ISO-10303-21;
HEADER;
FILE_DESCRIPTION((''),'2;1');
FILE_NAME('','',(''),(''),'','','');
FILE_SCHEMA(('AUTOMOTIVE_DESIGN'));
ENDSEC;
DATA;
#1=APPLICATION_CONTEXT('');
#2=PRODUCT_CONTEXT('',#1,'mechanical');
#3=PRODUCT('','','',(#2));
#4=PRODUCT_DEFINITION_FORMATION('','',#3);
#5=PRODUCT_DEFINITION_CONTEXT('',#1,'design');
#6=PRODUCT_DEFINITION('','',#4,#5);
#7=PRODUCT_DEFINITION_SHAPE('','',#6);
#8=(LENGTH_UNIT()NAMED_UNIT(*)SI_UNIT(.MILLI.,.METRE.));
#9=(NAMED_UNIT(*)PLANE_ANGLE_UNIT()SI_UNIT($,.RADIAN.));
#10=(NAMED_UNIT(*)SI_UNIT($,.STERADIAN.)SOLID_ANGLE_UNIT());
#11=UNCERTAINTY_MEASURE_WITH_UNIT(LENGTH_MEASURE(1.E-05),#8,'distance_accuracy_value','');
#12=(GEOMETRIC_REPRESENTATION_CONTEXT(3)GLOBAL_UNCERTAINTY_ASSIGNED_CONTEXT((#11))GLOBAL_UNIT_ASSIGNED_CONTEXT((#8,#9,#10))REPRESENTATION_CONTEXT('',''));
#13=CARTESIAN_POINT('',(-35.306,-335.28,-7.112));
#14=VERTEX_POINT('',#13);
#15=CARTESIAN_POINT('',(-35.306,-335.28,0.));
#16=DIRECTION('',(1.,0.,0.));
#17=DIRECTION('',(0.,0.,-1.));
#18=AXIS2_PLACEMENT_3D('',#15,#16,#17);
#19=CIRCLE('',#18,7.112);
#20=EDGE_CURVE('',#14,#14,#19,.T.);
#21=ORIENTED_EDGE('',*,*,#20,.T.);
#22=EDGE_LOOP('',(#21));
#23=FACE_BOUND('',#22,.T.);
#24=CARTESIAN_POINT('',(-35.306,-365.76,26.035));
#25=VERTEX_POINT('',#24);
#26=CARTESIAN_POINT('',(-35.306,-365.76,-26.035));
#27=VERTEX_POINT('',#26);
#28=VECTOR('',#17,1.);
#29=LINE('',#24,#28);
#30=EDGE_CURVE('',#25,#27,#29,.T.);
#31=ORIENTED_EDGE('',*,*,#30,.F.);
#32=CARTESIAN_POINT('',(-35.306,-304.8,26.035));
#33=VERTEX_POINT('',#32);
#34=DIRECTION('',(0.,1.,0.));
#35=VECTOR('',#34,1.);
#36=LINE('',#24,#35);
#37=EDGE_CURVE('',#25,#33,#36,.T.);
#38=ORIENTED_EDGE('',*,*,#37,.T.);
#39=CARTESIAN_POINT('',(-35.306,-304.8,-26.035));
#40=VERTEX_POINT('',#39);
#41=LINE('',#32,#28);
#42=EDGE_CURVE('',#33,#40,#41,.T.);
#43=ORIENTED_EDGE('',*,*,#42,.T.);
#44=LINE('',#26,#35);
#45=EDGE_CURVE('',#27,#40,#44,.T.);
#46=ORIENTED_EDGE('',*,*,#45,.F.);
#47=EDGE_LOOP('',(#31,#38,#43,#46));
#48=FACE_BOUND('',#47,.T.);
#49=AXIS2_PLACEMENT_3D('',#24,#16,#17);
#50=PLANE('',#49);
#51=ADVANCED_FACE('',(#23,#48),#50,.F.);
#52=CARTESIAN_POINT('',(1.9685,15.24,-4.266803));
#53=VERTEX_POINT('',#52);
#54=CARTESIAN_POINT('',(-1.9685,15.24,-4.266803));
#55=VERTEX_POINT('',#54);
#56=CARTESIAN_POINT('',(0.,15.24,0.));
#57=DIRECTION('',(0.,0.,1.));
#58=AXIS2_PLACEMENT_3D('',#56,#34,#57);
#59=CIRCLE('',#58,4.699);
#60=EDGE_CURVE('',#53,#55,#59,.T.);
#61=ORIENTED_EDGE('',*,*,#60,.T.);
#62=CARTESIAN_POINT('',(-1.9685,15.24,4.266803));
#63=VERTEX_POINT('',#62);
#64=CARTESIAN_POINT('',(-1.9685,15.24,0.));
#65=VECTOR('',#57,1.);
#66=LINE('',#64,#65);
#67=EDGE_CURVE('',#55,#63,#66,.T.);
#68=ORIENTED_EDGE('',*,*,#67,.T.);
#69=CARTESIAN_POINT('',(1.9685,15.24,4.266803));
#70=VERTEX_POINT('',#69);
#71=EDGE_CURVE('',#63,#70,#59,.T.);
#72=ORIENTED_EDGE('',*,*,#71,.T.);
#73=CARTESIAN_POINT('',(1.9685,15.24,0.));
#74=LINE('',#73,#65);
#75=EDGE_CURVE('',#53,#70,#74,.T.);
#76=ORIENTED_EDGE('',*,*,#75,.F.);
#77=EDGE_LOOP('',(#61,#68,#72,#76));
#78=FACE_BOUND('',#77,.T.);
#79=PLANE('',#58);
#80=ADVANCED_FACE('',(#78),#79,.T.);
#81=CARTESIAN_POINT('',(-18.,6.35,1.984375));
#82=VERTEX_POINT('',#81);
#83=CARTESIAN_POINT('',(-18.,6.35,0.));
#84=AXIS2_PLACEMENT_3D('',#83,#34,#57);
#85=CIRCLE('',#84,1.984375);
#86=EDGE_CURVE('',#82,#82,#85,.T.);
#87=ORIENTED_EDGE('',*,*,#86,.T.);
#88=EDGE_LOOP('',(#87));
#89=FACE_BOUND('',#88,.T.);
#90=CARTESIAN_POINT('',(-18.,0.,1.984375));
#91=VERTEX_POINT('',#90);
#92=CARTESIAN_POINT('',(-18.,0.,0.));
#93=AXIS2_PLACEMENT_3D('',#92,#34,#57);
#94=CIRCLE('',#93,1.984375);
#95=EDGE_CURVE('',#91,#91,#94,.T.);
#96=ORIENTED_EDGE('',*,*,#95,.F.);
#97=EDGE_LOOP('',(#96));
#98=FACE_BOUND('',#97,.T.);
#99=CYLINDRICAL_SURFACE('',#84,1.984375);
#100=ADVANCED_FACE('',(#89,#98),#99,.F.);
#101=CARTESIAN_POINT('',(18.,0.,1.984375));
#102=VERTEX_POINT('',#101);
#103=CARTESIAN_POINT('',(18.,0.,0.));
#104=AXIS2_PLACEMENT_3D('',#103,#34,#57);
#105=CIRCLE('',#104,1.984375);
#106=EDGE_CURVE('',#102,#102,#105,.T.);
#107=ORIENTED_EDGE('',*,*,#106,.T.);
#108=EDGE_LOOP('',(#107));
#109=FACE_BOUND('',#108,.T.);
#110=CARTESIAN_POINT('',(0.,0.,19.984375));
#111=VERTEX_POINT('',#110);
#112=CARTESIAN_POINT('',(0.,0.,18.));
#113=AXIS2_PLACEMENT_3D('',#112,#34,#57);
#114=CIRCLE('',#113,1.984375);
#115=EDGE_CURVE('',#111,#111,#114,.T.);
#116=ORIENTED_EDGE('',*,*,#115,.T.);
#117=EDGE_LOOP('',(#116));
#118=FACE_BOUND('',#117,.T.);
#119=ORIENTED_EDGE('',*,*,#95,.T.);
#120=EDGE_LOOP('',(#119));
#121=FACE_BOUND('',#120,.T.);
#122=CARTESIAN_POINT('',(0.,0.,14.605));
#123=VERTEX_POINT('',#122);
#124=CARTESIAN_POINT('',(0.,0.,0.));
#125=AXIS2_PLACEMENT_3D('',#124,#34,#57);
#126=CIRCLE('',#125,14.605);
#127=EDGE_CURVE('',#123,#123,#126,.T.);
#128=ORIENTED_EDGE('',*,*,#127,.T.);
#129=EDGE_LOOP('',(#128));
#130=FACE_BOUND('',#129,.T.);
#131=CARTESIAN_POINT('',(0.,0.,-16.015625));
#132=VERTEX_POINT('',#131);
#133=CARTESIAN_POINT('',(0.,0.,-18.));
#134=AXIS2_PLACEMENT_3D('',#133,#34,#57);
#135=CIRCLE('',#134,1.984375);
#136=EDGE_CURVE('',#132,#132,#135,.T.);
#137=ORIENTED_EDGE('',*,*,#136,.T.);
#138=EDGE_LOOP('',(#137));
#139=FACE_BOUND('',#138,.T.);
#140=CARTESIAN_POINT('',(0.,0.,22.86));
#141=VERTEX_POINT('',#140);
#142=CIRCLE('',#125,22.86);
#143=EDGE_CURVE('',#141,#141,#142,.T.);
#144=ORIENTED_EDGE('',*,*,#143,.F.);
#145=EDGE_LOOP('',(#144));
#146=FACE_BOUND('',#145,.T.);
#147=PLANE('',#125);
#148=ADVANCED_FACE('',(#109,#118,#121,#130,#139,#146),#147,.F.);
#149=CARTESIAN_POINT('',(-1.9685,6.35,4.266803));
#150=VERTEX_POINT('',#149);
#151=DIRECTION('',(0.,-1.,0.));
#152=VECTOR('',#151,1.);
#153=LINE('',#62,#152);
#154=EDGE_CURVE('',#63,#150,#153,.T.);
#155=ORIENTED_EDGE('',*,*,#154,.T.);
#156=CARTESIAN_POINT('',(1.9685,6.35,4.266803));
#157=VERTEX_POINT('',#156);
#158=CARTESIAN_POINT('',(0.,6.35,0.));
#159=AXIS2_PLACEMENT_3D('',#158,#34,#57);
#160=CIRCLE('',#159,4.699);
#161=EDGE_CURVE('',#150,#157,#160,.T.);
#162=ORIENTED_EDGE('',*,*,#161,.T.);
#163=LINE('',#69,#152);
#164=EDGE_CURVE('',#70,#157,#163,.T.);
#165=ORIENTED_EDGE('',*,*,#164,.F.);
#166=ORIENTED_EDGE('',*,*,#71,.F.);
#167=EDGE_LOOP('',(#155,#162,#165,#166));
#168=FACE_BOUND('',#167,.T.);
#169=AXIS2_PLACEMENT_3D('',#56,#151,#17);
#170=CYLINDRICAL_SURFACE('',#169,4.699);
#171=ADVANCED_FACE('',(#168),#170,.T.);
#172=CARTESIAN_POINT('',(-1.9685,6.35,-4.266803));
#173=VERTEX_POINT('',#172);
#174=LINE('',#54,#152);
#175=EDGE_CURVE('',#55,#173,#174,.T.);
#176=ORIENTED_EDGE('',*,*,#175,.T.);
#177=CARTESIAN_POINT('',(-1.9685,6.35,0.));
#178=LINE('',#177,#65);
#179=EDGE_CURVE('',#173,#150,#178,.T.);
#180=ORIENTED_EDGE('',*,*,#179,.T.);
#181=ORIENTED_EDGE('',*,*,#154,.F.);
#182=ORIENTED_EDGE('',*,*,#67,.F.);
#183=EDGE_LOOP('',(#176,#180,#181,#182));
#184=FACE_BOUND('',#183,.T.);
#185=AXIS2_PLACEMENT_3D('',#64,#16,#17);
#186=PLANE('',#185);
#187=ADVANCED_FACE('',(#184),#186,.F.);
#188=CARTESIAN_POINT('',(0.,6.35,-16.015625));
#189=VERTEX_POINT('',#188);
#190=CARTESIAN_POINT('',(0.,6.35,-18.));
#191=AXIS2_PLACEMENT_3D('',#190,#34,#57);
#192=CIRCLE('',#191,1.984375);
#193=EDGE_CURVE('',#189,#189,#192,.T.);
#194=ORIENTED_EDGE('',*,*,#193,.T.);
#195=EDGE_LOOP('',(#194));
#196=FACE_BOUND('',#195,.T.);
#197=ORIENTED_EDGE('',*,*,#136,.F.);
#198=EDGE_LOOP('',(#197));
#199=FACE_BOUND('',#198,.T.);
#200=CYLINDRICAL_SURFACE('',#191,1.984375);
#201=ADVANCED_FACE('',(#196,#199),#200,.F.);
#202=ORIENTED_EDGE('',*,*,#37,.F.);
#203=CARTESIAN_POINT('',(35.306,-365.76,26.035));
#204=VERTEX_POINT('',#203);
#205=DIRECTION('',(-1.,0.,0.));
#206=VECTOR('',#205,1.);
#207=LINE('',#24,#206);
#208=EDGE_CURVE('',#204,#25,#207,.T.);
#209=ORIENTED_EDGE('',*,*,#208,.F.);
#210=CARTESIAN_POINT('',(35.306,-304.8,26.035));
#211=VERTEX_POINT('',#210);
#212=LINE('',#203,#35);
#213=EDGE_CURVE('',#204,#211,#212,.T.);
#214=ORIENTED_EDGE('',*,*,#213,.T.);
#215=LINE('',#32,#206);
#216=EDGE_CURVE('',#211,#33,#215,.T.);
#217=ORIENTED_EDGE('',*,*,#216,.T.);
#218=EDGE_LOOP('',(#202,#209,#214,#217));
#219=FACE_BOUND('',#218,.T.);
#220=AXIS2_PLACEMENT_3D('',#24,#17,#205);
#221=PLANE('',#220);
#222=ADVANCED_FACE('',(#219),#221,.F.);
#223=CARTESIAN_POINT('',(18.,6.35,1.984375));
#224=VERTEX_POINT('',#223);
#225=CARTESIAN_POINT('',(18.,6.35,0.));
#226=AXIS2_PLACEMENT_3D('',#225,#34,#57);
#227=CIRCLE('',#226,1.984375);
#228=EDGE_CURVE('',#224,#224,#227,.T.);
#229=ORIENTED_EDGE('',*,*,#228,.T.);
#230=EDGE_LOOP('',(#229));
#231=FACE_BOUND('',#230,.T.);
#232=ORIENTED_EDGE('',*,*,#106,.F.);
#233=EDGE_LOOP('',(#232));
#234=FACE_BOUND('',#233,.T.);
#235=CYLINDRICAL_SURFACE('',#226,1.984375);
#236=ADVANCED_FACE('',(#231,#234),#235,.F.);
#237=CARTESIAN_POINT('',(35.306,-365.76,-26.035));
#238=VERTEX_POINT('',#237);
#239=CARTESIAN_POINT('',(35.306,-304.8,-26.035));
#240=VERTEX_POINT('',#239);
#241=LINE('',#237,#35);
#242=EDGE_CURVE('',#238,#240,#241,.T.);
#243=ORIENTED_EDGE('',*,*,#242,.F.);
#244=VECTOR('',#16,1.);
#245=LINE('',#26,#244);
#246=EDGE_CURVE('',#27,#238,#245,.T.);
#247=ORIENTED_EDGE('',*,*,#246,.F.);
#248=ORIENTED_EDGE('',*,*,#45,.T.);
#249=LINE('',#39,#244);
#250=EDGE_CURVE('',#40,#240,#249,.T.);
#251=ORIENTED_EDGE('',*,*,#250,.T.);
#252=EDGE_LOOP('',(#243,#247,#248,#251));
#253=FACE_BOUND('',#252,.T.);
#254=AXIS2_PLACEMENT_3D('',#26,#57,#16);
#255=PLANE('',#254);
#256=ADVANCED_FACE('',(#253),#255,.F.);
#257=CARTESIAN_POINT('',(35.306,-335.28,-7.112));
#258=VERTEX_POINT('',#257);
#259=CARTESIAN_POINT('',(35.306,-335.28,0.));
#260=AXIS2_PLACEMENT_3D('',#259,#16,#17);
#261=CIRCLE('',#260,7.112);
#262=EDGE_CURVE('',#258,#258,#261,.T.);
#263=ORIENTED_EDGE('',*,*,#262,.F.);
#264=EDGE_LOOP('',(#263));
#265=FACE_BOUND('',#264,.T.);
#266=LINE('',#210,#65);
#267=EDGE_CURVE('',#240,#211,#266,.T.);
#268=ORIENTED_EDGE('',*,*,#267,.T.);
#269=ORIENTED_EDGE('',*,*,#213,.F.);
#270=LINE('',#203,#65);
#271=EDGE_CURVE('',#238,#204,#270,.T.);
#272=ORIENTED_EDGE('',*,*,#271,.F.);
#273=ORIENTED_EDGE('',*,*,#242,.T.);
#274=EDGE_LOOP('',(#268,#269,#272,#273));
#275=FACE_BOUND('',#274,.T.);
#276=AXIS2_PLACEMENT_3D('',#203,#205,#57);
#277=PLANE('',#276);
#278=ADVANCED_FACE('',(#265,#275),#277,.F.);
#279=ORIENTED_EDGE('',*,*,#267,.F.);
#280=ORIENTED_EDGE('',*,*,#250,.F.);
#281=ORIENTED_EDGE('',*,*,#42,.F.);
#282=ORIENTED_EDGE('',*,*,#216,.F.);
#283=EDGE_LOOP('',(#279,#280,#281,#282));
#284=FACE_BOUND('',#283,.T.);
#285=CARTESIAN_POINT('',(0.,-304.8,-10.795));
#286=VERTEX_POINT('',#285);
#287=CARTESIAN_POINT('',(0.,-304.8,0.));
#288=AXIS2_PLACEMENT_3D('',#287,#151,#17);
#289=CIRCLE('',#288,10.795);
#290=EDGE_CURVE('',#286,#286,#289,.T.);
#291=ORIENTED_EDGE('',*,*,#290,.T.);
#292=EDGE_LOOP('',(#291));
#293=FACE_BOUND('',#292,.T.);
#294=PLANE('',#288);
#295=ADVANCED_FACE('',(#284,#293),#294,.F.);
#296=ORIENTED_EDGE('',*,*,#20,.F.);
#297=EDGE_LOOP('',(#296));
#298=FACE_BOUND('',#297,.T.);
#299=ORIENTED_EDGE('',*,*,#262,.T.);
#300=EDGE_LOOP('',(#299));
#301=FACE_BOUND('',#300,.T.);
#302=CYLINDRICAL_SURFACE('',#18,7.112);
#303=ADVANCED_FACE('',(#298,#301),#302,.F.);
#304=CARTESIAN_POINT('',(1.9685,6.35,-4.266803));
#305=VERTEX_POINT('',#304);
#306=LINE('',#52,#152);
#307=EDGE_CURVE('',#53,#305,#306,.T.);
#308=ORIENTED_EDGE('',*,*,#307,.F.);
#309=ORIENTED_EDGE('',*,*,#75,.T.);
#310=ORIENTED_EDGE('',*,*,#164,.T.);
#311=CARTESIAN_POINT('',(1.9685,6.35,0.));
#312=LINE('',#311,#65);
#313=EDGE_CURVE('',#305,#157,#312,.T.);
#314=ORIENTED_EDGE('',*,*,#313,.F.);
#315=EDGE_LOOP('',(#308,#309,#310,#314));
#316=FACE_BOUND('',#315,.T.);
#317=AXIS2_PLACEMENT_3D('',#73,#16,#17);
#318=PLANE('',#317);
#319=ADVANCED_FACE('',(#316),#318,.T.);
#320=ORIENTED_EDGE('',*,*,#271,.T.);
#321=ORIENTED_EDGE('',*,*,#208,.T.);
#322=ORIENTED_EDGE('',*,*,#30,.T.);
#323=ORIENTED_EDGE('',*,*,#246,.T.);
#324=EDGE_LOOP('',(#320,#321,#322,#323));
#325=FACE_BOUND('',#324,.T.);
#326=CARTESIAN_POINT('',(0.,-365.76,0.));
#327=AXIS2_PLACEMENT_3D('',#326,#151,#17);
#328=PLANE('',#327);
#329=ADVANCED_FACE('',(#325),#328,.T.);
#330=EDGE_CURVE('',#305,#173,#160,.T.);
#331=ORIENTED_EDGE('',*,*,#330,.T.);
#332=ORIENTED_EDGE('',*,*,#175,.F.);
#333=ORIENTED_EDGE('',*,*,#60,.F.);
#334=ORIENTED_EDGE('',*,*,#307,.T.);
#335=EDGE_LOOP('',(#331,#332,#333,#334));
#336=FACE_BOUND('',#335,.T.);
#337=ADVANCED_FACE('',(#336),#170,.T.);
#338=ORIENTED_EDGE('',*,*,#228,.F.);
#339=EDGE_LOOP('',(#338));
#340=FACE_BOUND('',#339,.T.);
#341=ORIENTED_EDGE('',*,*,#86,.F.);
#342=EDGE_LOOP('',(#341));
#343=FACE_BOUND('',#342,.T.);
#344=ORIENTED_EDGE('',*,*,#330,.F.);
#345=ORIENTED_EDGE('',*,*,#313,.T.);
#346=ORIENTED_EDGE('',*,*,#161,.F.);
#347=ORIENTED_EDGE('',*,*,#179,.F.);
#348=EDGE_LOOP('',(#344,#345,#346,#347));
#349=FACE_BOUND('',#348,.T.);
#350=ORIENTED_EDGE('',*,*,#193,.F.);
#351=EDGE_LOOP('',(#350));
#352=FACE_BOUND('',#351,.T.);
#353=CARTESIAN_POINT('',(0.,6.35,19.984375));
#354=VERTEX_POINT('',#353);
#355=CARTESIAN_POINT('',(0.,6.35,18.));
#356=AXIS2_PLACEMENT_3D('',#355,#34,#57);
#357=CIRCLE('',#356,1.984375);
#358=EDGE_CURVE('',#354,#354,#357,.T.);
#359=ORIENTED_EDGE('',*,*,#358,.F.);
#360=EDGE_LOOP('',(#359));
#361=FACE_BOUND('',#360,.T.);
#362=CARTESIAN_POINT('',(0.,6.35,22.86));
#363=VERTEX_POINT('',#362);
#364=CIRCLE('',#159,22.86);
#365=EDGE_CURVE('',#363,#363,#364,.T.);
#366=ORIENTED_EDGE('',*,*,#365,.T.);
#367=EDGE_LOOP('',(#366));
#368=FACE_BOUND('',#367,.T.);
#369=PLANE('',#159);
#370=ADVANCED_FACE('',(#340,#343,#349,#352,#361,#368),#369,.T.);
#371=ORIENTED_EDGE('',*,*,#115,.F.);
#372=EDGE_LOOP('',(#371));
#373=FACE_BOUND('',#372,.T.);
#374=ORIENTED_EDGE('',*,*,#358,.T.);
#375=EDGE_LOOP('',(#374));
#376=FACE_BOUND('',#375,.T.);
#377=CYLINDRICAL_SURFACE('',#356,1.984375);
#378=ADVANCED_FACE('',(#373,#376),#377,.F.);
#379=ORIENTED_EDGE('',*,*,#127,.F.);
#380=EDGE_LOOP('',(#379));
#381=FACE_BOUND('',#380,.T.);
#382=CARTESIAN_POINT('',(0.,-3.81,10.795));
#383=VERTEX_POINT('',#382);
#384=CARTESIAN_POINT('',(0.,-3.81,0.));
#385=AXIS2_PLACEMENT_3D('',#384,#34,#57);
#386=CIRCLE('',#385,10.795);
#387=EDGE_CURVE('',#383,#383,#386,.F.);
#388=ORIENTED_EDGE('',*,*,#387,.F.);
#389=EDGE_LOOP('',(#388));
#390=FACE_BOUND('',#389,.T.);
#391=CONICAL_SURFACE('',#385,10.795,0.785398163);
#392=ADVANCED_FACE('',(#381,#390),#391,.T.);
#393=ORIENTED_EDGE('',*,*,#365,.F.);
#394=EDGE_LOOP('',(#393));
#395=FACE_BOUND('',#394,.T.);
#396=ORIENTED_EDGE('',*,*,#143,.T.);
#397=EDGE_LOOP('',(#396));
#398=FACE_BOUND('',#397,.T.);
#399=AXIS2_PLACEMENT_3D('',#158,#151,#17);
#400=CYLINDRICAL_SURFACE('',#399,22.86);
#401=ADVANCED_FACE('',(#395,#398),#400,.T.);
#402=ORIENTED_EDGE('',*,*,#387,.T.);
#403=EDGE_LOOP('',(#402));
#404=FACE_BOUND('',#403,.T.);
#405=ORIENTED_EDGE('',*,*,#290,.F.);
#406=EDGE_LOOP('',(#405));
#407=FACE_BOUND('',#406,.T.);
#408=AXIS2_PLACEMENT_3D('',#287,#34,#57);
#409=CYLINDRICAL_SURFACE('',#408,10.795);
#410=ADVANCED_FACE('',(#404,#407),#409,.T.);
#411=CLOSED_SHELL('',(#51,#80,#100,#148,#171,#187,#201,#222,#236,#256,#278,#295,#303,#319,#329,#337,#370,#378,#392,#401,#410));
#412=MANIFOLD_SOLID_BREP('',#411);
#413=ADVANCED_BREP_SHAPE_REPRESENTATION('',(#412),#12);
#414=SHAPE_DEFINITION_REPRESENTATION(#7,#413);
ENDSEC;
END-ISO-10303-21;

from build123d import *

# Parameters (mm, degrees)
SKETCH1_R                           = 22.86
BOSS_EXTRUDE1_DEPTH                 = 6.35
BOSS_EXTRUDE2_DEPTH                 = 8.89
SKETCH3_R                           = 10.795
BOSS_EXTRUDE3_DEPTH                 = 304.8
CHAMFER1_SIZE                       = 3.81
F_5_32_0_15625_DIAMETER_HOLE1_D     = 3.96875
F_5_32_0_15625_DIAMETER_HOLE1_DEPTH = 6.351
CIRPATTERN1_COUNT                   = 4
SKETCH7_W                           = 70.612
SKETCH7_H                           = 52.07
BOSS_EXTRUDE4_DEPTH                 = 60.96
SKETCH8_R                           = 7.112
CUT_EXTRUDE1_DEPTH                  = 71.612


with BuildPart() as part:
    # Sketch1 → Boss-Extrude1 (new body)
    with BuildSketch(Plane(origin=(0, 0, 0), x_dir=(1, 0, 0), z_dir=(0, 1, 0))):
        Circle(SKETCH1_R)
    extrude(amount=BOSS_EXTRUDE1_DEPTH)

    # Sketch2 → Boss-Extrude2 (add)
    with BuildSketch(Plane(origin=(0, 6.35, 0), x_dir=(1, 0, 0), z_dir=(0, 1, 0))):
        with BuildLine():
            Line((1.9685, -4.266803107), (1.9685, 4.266803107))
            ThreePointArc((1.9685, 4.266803107), (0, 4.699), (-1.9685, 4.266803107))
            Line((-1.9685, 4.266803107), (-1.9685, -4.266803107))
            ThreePointArc((-1.9685, -4.266803107), (0, -4.699), (1.9685, -4.266803107))
        make_face()
    extrude(amount=BOSS_EXTRUDE2_DEPTH)

    # Sketch3 → Boss-Extrude3 (add)
    with BuildSketch(Plane.XZ):
        Circle(SKETCH3_R)
    extrude(amount=BOSS_EXTRUDE3_DEPTH)

    # Chamfer1
    chamfer1_edges = [part.edges().sort_by_distance(p)[0] for p in [
        (-10.795, 0, 0),
    ]]
    chamfer(chamfer1_edges, length=CHAMFER1_SIZE)

    # 5/32 (0.15625) Diameter Hole1
    with Locations(Plane(origin=(0, 6.35, 0), x_dir=(1, 0, 0), z_dir=(0, 1, 0))):
        with Locations((0, 18)):
            f_5_32_0_15625_diameter_hole1 = Hole(F_5_32_0_15625_DIAMETER_HOLE1_D / 2, depth=F_5_32_0_15625_DIAMETER_HOLE1_DEPTH)

    # CirPattern1: 5/32 (0.15625) Diameter Hole1 ×4 about axis
    cirpattern1_axis = Axis((0, 0, 0), (0, 1, 0))
    for i in range(1, CIRPATTERN1_COUNT):
        add(f_5_32_0_15625_diameter_hole1.rotate(cirpattern1_axis, i * 360 / CIRPATTERN1_COUNT), mode=Mode.SUBTRACT)

    # Sketch7 → Boss-Extrude4 (add)
    with BuildSketch(Plane.XZ.offset(304.8)):
        Rectangle(SKETCH7_W, SKETCH7_H)
    extrude(amount=BOSS_EXTRUDE4_DEPTH)

    # Sketch8 → Cut-Extrude1 (cut, through all)
    with BuildSketch(Plane(origin=(35.306, 0, 0), x_dir=(0, 0, -1), z_dir=(1, 0, 0))):
        with Locations((0, -335.28)):
            Circle(SKETCH8_R)
    extrude(amount=-CUT_EXTRUDE1_DEPTH, mode=Mode.SUBTRACT)


solid = part.part
